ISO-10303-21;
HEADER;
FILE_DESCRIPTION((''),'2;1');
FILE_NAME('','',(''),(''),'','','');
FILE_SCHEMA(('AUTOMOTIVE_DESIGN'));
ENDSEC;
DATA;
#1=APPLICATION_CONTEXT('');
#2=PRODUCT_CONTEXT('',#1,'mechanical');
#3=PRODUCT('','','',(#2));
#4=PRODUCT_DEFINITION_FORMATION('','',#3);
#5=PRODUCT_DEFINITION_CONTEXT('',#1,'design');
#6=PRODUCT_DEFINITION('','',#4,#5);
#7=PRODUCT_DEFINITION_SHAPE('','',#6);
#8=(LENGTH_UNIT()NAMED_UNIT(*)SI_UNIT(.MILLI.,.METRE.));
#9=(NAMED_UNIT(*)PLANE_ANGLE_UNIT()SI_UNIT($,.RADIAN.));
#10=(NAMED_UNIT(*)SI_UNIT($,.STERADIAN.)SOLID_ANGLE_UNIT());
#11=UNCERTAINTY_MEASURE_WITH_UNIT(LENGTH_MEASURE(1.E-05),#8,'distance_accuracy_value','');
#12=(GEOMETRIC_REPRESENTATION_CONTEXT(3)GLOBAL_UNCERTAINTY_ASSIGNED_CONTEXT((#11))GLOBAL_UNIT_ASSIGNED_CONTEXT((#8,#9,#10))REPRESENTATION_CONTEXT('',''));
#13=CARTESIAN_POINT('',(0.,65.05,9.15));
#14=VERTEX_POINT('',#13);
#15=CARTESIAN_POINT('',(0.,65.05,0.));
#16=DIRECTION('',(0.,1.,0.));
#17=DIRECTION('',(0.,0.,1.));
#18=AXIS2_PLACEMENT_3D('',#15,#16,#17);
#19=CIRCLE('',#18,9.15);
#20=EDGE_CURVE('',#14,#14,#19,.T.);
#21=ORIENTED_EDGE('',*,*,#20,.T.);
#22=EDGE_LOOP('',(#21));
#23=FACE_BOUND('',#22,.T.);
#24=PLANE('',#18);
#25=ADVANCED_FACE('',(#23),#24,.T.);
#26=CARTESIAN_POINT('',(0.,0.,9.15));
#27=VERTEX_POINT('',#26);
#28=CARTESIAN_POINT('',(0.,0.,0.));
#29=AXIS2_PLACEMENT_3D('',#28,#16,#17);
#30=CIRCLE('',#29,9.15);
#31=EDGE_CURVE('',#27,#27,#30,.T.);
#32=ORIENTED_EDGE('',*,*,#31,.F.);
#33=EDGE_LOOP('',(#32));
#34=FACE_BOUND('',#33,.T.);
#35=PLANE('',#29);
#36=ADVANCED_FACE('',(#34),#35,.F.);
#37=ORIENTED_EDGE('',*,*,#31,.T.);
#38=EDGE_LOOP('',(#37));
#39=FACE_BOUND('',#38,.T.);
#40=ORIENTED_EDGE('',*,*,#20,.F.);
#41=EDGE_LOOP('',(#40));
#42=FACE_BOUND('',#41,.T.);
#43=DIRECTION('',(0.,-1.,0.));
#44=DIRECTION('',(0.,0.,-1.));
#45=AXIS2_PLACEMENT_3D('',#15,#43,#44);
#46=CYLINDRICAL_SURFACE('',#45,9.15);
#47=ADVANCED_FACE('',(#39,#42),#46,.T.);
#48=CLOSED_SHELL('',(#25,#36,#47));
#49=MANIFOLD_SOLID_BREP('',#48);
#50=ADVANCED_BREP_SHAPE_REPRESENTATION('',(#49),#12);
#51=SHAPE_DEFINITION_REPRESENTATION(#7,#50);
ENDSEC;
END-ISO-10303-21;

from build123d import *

# Parameters (mm, degrees)
SKETCH1_R           = 9.15
BOSS_EXTRUDE1_DEPTH = 65.05


with BuildPart() as part:
    # Sketch1 → Boss-Extrude1 (new body)
    with BuildSketch(Plane(origin=(0, 0, 0), x_dir=(1, 0, 0), z_dir=(0, 1, 0))):
        Circle(SKETCH1_R)
    extrude(amount=BOSS_EXTRUDE1_DEPTH)


solid = part.part
